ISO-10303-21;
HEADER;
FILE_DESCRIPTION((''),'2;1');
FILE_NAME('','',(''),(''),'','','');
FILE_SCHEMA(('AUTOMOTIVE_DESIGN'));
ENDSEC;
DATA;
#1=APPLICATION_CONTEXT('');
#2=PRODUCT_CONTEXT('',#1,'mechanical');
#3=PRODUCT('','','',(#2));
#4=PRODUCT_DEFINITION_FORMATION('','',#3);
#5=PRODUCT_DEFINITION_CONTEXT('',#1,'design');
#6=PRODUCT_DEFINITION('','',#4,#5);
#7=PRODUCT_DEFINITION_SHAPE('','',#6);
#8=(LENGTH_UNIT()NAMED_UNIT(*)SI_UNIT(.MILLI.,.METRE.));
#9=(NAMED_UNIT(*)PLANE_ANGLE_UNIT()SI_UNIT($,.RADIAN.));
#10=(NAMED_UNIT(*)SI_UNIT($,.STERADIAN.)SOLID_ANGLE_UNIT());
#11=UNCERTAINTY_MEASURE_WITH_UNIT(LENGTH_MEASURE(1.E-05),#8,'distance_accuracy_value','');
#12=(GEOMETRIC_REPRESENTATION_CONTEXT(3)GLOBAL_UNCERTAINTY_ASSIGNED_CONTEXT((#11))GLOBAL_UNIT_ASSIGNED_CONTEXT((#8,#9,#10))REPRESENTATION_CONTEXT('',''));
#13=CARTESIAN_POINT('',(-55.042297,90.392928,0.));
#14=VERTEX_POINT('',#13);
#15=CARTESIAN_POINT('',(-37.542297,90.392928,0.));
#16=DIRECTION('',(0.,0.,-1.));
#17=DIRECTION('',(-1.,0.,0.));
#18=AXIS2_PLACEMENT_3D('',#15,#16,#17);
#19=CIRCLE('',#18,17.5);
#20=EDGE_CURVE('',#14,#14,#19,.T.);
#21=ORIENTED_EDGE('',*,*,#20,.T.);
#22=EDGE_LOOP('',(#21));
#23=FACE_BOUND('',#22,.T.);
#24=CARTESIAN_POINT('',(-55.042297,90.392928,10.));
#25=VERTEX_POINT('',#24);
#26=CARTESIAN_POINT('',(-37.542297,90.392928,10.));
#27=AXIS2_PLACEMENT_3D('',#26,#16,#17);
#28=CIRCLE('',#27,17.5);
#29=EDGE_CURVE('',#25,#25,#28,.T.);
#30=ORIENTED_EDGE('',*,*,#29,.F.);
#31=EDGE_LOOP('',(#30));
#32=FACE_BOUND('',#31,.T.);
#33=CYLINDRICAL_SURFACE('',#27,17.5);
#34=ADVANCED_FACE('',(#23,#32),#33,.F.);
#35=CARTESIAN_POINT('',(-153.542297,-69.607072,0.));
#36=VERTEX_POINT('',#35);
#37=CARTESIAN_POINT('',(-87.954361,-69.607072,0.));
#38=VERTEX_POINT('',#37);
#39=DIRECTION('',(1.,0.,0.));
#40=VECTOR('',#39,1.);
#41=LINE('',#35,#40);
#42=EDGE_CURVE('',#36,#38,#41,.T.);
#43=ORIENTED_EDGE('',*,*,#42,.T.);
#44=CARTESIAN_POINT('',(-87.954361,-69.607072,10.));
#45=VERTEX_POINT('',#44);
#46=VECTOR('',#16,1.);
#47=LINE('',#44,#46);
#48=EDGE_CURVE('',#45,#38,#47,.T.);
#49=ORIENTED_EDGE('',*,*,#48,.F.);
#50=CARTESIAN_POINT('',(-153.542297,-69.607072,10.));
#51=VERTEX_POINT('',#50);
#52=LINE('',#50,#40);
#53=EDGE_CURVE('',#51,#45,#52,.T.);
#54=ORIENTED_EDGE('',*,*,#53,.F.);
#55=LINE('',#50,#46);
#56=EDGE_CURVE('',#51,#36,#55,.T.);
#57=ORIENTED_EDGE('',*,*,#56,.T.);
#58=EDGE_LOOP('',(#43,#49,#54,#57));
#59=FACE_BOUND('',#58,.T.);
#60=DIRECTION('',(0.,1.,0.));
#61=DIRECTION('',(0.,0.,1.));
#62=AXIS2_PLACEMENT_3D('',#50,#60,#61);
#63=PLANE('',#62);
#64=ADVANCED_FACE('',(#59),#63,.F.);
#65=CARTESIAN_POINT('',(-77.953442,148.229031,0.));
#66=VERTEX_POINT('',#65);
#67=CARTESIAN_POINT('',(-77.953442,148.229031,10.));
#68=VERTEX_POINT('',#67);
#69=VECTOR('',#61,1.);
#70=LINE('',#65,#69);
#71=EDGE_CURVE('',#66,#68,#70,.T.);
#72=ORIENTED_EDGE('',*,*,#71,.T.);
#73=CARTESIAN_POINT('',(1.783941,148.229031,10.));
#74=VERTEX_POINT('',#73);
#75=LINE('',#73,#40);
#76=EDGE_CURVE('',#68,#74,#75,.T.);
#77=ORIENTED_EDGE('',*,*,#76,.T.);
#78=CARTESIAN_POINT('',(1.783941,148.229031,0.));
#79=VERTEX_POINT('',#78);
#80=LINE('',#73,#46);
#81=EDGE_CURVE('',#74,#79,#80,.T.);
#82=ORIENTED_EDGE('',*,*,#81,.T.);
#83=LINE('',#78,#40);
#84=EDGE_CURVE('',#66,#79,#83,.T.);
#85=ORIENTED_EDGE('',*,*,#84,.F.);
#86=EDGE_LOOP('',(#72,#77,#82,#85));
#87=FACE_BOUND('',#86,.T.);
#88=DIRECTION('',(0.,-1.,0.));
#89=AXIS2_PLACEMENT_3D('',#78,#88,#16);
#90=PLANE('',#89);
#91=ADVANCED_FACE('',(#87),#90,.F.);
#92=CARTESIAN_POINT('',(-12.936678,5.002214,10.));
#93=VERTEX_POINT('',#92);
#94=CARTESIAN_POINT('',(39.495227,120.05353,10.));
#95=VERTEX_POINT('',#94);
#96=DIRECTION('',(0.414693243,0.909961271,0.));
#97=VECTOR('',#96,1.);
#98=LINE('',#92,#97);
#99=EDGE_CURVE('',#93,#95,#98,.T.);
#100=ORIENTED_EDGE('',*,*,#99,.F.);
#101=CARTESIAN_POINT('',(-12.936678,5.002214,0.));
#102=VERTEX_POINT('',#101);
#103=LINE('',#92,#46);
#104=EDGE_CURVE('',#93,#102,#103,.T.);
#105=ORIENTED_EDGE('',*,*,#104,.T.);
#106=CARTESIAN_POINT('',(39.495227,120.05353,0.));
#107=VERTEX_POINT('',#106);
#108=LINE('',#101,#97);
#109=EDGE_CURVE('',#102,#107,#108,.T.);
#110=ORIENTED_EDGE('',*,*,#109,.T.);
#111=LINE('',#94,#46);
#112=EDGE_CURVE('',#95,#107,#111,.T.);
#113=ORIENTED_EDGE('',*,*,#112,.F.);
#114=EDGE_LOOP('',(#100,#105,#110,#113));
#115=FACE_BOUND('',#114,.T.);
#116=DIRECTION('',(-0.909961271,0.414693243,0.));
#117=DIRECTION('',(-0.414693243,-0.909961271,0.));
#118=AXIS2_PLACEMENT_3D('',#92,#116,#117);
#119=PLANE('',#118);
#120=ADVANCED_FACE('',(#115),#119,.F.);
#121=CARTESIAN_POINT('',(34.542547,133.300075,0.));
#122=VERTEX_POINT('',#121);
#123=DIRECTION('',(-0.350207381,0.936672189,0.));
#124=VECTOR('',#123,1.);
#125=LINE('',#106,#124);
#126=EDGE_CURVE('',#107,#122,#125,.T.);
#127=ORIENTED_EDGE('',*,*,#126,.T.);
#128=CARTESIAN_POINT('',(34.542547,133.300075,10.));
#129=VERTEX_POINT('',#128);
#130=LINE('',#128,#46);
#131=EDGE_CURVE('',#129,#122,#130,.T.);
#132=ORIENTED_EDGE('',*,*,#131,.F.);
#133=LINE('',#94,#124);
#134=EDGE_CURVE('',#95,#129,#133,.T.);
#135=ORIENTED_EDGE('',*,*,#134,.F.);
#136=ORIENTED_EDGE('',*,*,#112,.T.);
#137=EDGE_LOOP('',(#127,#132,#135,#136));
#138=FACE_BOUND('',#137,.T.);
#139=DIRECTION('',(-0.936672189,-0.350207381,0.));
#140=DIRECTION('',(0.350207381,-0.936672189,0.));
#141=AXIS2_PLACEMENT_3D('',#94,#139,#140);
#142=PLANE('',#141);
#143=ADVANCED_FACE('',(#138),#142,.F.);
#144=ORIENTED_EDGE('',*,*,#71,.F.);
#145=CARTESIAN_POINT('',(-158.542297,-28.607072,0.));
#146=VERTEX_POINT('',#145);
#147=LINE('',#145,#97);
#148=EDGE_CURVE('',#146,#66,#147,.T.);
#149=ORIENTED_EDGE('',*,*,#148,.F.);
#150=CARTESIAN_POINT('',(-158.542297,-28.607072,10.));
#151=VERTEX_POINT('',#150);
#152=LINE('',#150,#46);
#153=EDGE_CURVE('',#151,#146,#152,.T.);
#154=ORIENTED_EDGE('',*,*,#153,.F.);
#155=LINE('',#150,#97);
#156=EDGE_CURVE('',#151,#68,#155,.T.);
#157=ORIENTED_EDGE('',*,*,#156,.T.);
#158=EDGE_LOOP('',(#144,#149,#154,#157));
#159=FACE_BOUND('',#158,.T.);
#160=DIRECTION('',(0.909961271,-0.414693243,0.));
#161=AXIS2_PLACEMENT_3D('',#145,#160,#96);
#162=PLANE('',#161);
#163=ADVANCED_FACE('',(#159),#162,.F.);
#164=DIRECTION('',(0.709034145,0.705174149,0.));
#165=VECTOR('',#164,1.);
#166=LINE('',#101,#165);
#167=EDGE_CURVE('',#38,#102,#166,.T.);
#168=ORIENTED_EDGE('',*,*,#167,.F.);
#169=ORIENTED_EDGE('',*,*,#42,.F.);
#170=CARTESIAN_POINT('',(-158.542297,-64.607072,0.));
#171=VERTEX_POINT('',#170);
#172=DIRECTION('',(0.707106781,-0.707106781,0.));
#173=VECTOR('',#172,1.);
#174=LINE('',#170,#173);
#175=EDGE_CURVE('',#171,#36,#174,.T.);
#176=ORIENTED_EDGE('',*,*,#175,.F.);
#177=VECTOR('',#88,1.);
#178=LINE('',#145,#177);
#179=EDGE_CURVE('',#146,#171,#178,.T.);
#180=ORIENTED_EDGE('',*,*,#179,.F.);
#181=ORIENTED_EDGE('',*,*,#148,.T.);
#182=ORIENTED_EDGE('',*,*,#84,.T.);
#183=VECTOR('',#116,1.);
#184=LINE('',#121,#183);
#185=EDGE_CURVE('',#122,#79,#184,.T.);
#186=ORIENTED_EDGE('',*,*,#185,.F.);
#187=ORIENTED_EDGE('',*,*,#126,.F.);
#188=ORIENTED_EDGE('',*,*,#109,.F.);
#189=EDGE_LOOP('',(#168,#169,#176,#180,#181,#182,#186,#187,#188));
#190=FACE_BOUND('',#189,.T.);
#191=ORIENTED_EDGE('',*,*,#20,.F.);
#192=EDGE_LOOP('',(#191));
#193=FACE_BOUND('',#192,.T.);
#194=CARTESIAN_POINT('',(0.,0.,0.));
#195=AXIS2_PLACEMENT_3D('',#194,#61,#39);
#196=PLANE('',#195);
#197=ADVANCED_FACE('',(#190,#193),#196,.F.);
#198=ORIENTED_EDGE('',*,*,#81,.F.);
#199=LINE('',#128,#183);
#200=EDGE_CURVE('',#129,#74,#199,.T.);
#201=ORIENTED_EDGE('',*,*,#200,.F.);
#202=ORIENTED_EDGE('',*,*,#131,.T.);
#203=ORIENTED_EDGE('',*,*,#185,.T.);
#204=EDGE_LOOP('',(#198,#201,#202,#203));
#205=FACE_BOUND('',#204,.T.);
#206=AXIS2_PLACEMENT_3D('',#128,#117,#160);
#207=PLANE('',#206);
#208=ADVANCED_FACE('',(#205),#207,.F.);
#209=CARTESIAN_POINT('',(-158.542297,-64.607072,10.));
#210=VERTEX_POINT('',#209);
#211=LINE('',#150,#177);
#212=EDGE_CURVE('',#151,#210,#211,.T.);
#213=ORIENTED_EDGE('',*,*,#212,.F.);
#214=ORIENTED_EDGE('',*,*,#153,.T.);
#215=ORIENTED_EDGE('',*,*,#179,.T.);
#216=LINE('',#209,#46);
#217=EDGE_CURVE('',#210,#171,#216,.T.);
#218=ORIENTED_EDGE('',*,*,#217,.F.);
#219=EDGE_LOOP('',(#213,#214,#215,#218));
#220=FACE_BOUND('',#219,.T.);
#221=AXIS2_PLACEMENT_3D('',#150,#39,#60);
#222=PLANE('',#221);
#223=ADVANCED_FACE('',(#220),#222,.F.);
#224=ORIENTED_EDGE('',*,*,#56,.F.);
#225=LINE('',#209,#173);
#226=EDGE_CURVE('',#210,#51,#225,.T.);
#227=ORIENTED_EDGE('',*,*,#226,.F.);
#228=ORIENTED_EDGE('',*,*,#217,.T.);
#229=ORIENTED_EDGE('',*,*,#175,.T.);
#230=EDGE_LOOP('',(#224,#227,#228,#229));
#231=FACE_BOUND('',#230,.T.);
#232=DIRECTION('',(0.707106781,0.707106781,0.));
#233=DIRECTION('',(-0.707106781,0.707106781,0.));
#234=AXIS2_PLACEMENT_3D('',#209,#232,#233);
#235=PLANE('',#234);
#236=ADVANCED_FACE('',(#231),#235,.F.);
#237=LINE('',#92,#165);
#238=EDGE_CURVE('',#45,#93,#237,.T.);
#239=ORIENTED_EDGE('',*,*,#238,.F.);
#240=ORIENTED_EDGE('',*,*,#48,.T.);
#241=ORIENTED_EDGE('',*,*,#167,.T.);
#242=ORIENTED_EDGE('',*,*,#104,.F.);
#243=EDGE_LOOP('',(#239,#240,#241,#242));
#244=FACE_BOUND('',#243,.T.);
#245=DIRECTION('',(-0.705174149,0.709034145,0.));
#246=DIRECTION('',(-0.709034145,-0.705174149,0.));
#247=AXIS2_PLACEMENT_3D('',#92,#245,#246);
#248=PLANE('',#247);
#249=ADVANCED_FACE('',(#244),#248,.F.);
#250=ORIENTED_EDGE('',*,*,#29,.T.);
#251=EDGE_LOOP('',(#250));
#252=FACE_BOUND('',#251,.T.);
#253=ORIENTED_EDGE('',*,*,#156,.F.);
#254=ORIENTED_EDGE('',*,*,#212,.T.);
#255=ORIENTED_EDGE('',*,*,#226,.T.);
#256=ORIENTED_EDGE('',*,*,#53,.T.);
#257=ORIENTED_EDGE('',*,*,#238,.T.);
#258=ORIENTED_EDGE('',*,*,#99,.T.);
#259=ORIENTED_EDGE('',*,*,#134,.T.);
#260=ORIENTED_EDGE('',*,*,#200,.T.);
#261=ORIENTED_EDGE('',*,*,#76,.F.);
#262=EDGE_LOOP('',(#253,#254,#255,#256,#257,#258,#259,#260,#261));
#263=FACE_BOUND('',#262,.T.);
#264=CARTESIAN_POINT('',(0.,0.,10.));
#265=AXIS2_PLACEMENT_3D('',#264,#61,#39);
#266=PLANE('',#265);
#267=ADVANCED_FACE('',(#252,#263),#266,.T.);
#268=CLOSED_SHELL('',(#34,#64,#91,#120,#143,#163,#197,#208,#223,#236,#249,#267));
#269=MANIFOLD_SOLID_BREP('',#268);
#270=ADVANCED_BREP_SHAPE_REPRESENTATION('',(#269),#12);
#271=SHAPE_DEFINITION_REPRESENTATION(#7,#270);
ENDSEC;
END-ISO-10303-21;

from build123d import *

# Parameters (mm, degrees)
BOSS_EXTRUDE1_DEPTH = 10
CUT_EXTRUDE1_DEPTH  = 10
SKETCH3_R           = 17.5
CUT_EXTRUDE2_DEPTH  = 10


with BuildPart() as part:
    # Sketch1 → Boss-Extrude1 (new body)
    with BuildSketch(Plane.XY):
        Polygon((-162.542296849, -28.60707156), (-158.542296849, -28.60707156), (-158.542296849, -64.60707156), (-153.542296849, -69.60707156), (-87.954361389, -69.60707156), (-12.936677956, 5.002214078), (39.495227245, 120.053529566), (34.542546963, 133.300074701), (1.783941212, 148.229031436), (3.442714182, 151.86887652), (-80.294668817, 151.86887652), align=None)
    extrude(amount=BOSS_EXTRUDE1_DEPTH)

    # Sketch2 → Cut-Extrude1 (cut)
    with BuildSketch(Plane.XY.offset(10)):
        Polygon((1.783941212, 148.229031436), (-77.953441788, 148.229031436), (-158.542296849, -28.60707156), (-177.628261738, -46.12321945), (-258.764859666, -56.78409298), (-118.247869319, 215.351823208), (19.357832203, 157.605676218), align=None)
    extrude(amount=-CUT_EXTRUDE1_DEPTH, mode=Mode.SUBTRACT)

    # Sketch3 → Cut-Extrude2 (cut)
    with BuildSketch(Plane(origin=(0, 0, 0), x_dir=(-1, 0, 0), z_dir=(0, 0, -1))):
        with Locations((37.542296849, 90.39292844)):
            Circle(SKETCH3_R)
    extrude(amount=-CUT_EXTRUDE2_DEPTH, mode=Mode.SUBTRACT)


solid = part.part
